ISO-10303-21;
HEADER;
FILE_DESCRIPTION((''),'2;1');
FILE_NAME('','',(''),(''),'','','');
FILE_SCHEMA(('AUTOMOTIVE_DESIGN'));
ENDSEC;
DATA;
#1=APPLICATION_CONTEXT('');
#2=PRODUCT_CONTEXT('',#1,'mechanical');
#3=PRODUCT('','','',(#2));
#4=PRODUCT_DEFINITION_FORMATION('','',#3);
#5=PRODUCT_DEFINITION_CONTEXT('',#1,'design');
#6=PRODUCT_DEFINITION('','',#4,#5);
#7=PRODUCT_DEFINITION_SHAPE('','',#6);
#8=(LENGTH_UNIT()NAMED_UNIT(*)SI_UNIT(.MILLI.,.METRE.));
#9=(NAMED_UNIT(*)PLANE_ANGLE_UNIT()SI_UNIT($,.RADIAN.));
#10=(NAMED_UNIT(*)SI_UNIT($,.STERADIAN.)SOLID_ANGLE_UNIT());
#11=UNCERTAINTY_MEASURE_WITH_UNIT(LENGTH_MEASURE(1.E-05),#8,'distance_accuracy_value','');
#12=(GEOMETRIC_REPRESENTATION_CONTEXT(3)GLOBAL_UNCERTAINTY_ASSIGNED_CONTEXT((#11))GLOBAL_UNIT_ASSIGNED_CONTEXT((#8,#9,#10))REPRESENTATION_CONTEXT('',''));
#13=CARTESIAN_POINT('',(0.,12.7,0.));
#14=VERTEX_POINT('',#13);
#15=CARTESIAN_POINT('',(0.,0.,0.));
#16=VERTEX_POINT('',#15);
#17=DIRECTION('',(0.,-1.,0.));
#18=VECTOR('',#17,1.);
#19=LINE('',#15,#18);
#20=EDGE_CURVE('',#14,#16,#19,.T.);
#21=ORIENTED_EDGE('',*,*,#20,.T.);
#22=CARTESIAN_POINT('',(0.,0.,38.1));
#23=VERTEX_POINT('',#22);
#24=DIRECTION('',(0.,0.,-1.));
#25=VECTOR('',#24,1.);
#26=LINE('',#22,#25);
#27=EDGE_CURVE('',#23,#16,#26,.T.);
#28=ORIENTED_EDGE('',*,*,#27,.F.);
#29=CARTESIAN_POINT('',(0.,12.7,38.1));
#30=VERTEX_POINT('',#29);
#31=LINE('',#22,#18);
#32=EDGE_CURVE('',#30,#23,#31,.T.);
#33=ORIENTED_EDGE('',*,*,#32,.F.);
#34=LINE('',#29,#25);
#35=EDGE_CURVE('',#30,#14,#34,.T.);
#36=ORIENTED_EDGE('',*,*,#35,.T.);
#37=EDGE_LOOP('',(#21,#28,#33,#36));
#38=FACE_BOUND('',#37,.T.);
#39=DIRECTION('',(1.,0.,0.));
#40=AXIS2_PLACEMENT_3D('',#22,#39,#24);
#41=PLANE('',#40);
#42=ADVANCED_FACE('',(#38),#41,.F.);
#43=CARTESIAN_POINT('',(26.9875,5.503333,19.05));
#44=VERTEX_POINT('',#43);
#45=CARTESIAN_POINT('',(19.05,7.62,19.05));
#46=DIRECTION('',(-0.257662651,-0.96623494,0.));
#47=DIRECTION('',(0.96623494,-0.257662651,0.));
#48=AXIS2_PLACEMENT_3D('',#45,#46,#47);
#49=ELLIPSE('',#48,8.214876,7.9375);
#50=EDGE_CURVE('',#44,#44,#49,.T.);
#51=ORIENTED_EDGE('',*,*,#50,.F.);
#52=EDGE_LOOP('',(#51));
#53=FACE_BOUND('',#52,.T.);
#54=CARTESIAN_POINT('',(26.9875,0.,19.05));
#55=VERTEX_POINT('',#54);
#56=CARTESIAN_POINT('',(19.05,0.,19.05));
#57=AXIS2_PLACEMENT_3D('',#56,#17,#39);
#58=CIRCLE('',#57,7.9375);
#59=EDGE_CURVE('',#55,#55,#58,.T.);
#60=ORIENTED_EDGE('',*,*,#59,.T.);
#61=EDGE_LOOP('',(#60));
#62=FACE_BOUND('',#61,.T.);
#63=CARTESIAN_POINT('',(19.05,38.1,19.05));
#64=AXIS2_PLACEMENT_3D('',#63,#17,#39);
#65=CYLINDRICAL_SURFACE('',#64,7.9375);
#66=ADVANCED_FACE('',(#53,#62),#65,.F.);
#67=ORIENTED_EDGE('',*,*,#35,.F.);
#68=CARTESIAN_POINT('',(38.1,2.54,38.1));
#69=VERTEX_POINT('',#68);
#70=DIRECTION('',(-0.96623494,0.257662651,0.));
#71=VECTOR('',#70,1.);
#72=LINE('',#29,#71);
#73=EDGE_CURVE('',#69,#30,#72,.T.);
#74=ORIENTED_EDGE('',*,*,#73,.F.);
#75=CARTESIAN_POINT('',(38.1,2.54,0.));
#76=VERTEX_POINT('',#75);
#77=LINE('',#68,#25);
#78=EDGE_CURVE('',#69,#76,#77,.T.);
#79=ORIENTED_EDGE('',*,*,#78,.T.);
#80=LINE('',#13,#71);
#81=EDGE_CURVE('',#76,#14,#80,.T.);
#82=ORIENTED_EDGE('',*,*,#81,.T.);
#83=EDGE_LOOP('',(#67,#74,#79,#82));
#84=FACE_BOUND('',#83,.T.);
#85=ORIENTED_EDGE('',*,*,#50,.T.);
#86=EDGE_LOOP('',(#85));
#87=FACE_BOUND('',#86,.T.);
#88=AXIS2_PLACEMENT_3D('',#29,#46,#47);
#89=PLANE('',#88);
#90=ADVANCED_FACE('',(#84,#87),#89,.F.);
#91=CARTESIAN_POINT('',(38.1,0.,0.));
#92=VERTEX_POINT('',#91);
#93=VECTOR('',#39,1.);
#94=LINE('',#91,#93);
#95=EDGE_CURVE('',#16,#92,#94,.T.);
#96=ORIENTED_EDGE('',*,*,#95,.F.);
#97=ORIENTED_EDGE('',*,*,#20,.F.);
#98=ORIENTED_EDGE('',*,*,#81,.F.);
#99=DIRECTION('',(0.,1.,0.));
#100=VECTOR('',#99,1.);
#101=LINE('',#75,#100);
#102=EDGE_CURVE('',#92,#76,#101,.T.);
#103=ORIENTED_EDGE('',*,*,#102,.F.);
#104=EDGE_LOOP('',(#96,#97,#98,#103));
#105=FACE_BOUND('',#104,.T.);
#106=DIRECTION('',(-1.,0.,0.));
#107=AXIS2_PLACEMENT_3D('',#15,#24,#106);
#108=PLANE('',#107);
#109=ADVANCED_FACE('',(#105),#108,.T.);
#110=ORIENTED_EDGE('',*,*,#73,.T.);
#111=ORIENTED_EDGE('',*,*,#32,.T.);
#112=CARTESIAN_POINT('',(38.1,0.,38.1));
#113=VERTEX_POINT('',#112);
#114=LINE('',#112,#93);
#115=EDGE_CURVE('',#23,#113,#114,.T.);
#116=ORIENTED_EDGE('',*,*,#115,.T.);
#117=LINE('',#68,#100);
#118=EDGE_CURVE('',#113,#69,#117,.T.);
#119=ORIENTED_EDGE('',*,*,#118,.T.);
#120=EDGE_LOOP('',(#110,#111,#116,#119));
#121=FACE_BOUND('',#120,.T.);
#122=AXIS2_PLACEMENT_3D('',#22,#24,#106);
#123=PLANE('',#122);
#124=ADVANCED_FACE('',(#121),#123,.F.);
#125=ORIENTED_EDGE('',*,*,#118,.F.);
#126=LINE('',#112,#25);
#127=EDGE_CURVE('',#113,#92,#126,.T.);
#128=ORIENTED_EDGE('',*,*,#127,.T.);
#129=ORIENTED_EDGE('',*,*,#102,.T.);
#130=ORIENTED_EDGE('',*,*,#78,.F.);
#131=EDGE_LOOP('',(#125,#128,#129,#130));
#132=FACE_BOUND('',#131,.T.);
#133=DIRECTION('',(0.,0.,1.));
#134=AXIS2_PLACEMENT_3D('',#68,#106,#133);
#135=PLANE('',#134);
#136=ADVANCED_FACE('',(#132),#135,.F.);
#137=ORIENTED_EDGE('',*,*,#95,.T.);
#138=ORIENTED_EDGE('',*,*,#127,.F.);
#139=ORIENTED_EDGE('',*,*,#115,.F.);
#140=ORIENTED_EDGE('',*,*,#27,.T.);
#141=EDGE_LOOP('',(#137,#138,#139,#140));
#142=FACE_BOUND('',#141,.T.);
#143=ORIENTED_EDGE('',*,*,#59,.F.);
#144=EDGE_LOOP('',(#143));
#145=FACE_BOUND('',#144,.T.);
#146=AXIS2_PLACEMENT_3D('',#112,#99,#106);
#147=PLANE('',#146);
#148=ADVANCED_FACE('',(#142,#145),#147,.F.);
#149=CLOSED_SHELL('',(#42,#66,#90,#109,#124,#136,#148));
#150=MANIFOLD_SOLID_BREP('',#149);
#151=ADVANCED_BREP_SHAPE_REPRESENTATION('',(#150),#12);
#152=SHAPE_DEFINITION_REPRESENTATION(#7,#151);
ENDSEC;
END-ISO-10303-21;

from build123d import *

# Parameters (mm, degrees)
BOSS_EXTRUDE1_DEPTH = 38.1
SKETCH2_R           = 7.9375
CUT_EXTRUDE1_DEPTH  = 38.1


with BuildPart() as part:
    # Sketch1 → Boss-Extrude1 (new body)
    with BuildSketch(Plane.XY):
        Polygon((0, 0), (0, 12.7), (38.1, 2.54), (38.1, 0), align=None)
    extrude(amount=BOSS_EXTRUDE1_DEPTH)

    # Sketch2 → Cut-Extrude1 (cut)
    with BuildSketch(Plane.XZ):
        with Locations((19.05, 19.05)):
            Circle(SKETCH2_R)
    extrude(amount=-CUT_EXTRUDE1_DEPTH, mode=Mode.SUBTRACT)


solid = part.part
